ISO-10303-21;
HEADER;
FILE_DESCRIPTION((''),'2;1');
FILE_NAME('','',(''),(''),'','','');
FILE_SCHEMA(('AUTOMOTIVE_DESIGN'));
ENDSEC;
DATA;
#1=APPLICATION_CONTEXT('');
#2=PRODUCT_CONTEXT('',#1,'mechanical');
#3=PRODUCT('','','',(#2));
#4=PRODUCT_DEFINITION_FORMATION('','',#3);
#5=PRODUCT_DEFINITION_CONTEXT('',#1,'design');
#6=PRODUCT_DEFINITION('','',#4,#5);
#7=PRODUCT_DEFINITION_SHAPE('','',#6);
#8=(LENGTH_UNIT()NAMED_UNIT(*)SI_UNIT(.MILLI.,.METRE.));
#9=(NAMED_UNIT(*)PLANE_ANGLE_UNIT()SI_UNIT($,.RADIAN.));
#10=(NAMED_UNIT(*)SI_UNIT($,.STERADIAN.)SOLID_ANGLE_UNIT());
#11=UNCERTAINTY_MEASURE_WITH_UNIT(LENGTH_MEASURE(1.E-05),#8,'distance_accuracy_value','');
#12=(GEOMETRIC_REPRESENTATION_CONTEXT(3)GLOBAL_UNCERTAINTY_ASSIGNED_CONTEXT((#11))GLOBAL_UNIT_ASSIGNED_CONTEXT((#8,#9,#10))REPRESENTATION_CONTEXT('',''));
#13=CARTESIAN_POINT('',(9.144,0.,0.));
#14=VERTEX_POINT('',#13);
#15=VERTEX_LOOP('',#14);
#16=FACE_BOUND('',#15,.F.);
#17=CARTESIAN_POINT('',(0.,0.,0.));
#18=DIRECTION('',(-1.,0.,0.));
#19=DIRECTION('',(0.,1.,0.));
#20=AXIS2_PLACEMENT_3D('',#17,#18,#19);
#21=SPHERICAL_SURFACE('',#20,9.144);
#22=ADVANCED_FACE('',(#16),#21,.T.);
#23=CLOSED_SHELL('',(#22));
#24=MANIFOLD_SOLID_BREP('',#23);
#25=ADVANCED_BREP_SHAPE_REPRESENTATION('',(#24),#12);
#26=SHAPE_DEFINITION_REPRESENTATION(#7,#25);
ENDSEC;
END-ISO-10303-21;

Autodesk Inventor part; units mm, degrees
ref_plane "YZ Plane" through (0, 0, 0) normal (1, 0, 0) x (0, 1, 0)
ref_plane "XZ Plane" through (0, 0, 0) normal (0, 1, 0) x (-1, 0, 0)
ref_plane "XY Plane" through (0, 0, 0) normal (0, 0, 1) x (1, 0, 0)
sketch "Sketch1" plane through (0, 0, 0) normal (0, 0, 1) x (1, 0, 0)
  circle A0 centre (0, 0) radius 9.144
  line L0 (-9.144, 0) -> (9.144, 0)
  dimension "d0" = 18.288
revolve "Revolution1" add sketch "Sketch1" angle 360 about axis through (-9.144, 0, 0) along (1, 0, 0)
properties part number "Ball"
